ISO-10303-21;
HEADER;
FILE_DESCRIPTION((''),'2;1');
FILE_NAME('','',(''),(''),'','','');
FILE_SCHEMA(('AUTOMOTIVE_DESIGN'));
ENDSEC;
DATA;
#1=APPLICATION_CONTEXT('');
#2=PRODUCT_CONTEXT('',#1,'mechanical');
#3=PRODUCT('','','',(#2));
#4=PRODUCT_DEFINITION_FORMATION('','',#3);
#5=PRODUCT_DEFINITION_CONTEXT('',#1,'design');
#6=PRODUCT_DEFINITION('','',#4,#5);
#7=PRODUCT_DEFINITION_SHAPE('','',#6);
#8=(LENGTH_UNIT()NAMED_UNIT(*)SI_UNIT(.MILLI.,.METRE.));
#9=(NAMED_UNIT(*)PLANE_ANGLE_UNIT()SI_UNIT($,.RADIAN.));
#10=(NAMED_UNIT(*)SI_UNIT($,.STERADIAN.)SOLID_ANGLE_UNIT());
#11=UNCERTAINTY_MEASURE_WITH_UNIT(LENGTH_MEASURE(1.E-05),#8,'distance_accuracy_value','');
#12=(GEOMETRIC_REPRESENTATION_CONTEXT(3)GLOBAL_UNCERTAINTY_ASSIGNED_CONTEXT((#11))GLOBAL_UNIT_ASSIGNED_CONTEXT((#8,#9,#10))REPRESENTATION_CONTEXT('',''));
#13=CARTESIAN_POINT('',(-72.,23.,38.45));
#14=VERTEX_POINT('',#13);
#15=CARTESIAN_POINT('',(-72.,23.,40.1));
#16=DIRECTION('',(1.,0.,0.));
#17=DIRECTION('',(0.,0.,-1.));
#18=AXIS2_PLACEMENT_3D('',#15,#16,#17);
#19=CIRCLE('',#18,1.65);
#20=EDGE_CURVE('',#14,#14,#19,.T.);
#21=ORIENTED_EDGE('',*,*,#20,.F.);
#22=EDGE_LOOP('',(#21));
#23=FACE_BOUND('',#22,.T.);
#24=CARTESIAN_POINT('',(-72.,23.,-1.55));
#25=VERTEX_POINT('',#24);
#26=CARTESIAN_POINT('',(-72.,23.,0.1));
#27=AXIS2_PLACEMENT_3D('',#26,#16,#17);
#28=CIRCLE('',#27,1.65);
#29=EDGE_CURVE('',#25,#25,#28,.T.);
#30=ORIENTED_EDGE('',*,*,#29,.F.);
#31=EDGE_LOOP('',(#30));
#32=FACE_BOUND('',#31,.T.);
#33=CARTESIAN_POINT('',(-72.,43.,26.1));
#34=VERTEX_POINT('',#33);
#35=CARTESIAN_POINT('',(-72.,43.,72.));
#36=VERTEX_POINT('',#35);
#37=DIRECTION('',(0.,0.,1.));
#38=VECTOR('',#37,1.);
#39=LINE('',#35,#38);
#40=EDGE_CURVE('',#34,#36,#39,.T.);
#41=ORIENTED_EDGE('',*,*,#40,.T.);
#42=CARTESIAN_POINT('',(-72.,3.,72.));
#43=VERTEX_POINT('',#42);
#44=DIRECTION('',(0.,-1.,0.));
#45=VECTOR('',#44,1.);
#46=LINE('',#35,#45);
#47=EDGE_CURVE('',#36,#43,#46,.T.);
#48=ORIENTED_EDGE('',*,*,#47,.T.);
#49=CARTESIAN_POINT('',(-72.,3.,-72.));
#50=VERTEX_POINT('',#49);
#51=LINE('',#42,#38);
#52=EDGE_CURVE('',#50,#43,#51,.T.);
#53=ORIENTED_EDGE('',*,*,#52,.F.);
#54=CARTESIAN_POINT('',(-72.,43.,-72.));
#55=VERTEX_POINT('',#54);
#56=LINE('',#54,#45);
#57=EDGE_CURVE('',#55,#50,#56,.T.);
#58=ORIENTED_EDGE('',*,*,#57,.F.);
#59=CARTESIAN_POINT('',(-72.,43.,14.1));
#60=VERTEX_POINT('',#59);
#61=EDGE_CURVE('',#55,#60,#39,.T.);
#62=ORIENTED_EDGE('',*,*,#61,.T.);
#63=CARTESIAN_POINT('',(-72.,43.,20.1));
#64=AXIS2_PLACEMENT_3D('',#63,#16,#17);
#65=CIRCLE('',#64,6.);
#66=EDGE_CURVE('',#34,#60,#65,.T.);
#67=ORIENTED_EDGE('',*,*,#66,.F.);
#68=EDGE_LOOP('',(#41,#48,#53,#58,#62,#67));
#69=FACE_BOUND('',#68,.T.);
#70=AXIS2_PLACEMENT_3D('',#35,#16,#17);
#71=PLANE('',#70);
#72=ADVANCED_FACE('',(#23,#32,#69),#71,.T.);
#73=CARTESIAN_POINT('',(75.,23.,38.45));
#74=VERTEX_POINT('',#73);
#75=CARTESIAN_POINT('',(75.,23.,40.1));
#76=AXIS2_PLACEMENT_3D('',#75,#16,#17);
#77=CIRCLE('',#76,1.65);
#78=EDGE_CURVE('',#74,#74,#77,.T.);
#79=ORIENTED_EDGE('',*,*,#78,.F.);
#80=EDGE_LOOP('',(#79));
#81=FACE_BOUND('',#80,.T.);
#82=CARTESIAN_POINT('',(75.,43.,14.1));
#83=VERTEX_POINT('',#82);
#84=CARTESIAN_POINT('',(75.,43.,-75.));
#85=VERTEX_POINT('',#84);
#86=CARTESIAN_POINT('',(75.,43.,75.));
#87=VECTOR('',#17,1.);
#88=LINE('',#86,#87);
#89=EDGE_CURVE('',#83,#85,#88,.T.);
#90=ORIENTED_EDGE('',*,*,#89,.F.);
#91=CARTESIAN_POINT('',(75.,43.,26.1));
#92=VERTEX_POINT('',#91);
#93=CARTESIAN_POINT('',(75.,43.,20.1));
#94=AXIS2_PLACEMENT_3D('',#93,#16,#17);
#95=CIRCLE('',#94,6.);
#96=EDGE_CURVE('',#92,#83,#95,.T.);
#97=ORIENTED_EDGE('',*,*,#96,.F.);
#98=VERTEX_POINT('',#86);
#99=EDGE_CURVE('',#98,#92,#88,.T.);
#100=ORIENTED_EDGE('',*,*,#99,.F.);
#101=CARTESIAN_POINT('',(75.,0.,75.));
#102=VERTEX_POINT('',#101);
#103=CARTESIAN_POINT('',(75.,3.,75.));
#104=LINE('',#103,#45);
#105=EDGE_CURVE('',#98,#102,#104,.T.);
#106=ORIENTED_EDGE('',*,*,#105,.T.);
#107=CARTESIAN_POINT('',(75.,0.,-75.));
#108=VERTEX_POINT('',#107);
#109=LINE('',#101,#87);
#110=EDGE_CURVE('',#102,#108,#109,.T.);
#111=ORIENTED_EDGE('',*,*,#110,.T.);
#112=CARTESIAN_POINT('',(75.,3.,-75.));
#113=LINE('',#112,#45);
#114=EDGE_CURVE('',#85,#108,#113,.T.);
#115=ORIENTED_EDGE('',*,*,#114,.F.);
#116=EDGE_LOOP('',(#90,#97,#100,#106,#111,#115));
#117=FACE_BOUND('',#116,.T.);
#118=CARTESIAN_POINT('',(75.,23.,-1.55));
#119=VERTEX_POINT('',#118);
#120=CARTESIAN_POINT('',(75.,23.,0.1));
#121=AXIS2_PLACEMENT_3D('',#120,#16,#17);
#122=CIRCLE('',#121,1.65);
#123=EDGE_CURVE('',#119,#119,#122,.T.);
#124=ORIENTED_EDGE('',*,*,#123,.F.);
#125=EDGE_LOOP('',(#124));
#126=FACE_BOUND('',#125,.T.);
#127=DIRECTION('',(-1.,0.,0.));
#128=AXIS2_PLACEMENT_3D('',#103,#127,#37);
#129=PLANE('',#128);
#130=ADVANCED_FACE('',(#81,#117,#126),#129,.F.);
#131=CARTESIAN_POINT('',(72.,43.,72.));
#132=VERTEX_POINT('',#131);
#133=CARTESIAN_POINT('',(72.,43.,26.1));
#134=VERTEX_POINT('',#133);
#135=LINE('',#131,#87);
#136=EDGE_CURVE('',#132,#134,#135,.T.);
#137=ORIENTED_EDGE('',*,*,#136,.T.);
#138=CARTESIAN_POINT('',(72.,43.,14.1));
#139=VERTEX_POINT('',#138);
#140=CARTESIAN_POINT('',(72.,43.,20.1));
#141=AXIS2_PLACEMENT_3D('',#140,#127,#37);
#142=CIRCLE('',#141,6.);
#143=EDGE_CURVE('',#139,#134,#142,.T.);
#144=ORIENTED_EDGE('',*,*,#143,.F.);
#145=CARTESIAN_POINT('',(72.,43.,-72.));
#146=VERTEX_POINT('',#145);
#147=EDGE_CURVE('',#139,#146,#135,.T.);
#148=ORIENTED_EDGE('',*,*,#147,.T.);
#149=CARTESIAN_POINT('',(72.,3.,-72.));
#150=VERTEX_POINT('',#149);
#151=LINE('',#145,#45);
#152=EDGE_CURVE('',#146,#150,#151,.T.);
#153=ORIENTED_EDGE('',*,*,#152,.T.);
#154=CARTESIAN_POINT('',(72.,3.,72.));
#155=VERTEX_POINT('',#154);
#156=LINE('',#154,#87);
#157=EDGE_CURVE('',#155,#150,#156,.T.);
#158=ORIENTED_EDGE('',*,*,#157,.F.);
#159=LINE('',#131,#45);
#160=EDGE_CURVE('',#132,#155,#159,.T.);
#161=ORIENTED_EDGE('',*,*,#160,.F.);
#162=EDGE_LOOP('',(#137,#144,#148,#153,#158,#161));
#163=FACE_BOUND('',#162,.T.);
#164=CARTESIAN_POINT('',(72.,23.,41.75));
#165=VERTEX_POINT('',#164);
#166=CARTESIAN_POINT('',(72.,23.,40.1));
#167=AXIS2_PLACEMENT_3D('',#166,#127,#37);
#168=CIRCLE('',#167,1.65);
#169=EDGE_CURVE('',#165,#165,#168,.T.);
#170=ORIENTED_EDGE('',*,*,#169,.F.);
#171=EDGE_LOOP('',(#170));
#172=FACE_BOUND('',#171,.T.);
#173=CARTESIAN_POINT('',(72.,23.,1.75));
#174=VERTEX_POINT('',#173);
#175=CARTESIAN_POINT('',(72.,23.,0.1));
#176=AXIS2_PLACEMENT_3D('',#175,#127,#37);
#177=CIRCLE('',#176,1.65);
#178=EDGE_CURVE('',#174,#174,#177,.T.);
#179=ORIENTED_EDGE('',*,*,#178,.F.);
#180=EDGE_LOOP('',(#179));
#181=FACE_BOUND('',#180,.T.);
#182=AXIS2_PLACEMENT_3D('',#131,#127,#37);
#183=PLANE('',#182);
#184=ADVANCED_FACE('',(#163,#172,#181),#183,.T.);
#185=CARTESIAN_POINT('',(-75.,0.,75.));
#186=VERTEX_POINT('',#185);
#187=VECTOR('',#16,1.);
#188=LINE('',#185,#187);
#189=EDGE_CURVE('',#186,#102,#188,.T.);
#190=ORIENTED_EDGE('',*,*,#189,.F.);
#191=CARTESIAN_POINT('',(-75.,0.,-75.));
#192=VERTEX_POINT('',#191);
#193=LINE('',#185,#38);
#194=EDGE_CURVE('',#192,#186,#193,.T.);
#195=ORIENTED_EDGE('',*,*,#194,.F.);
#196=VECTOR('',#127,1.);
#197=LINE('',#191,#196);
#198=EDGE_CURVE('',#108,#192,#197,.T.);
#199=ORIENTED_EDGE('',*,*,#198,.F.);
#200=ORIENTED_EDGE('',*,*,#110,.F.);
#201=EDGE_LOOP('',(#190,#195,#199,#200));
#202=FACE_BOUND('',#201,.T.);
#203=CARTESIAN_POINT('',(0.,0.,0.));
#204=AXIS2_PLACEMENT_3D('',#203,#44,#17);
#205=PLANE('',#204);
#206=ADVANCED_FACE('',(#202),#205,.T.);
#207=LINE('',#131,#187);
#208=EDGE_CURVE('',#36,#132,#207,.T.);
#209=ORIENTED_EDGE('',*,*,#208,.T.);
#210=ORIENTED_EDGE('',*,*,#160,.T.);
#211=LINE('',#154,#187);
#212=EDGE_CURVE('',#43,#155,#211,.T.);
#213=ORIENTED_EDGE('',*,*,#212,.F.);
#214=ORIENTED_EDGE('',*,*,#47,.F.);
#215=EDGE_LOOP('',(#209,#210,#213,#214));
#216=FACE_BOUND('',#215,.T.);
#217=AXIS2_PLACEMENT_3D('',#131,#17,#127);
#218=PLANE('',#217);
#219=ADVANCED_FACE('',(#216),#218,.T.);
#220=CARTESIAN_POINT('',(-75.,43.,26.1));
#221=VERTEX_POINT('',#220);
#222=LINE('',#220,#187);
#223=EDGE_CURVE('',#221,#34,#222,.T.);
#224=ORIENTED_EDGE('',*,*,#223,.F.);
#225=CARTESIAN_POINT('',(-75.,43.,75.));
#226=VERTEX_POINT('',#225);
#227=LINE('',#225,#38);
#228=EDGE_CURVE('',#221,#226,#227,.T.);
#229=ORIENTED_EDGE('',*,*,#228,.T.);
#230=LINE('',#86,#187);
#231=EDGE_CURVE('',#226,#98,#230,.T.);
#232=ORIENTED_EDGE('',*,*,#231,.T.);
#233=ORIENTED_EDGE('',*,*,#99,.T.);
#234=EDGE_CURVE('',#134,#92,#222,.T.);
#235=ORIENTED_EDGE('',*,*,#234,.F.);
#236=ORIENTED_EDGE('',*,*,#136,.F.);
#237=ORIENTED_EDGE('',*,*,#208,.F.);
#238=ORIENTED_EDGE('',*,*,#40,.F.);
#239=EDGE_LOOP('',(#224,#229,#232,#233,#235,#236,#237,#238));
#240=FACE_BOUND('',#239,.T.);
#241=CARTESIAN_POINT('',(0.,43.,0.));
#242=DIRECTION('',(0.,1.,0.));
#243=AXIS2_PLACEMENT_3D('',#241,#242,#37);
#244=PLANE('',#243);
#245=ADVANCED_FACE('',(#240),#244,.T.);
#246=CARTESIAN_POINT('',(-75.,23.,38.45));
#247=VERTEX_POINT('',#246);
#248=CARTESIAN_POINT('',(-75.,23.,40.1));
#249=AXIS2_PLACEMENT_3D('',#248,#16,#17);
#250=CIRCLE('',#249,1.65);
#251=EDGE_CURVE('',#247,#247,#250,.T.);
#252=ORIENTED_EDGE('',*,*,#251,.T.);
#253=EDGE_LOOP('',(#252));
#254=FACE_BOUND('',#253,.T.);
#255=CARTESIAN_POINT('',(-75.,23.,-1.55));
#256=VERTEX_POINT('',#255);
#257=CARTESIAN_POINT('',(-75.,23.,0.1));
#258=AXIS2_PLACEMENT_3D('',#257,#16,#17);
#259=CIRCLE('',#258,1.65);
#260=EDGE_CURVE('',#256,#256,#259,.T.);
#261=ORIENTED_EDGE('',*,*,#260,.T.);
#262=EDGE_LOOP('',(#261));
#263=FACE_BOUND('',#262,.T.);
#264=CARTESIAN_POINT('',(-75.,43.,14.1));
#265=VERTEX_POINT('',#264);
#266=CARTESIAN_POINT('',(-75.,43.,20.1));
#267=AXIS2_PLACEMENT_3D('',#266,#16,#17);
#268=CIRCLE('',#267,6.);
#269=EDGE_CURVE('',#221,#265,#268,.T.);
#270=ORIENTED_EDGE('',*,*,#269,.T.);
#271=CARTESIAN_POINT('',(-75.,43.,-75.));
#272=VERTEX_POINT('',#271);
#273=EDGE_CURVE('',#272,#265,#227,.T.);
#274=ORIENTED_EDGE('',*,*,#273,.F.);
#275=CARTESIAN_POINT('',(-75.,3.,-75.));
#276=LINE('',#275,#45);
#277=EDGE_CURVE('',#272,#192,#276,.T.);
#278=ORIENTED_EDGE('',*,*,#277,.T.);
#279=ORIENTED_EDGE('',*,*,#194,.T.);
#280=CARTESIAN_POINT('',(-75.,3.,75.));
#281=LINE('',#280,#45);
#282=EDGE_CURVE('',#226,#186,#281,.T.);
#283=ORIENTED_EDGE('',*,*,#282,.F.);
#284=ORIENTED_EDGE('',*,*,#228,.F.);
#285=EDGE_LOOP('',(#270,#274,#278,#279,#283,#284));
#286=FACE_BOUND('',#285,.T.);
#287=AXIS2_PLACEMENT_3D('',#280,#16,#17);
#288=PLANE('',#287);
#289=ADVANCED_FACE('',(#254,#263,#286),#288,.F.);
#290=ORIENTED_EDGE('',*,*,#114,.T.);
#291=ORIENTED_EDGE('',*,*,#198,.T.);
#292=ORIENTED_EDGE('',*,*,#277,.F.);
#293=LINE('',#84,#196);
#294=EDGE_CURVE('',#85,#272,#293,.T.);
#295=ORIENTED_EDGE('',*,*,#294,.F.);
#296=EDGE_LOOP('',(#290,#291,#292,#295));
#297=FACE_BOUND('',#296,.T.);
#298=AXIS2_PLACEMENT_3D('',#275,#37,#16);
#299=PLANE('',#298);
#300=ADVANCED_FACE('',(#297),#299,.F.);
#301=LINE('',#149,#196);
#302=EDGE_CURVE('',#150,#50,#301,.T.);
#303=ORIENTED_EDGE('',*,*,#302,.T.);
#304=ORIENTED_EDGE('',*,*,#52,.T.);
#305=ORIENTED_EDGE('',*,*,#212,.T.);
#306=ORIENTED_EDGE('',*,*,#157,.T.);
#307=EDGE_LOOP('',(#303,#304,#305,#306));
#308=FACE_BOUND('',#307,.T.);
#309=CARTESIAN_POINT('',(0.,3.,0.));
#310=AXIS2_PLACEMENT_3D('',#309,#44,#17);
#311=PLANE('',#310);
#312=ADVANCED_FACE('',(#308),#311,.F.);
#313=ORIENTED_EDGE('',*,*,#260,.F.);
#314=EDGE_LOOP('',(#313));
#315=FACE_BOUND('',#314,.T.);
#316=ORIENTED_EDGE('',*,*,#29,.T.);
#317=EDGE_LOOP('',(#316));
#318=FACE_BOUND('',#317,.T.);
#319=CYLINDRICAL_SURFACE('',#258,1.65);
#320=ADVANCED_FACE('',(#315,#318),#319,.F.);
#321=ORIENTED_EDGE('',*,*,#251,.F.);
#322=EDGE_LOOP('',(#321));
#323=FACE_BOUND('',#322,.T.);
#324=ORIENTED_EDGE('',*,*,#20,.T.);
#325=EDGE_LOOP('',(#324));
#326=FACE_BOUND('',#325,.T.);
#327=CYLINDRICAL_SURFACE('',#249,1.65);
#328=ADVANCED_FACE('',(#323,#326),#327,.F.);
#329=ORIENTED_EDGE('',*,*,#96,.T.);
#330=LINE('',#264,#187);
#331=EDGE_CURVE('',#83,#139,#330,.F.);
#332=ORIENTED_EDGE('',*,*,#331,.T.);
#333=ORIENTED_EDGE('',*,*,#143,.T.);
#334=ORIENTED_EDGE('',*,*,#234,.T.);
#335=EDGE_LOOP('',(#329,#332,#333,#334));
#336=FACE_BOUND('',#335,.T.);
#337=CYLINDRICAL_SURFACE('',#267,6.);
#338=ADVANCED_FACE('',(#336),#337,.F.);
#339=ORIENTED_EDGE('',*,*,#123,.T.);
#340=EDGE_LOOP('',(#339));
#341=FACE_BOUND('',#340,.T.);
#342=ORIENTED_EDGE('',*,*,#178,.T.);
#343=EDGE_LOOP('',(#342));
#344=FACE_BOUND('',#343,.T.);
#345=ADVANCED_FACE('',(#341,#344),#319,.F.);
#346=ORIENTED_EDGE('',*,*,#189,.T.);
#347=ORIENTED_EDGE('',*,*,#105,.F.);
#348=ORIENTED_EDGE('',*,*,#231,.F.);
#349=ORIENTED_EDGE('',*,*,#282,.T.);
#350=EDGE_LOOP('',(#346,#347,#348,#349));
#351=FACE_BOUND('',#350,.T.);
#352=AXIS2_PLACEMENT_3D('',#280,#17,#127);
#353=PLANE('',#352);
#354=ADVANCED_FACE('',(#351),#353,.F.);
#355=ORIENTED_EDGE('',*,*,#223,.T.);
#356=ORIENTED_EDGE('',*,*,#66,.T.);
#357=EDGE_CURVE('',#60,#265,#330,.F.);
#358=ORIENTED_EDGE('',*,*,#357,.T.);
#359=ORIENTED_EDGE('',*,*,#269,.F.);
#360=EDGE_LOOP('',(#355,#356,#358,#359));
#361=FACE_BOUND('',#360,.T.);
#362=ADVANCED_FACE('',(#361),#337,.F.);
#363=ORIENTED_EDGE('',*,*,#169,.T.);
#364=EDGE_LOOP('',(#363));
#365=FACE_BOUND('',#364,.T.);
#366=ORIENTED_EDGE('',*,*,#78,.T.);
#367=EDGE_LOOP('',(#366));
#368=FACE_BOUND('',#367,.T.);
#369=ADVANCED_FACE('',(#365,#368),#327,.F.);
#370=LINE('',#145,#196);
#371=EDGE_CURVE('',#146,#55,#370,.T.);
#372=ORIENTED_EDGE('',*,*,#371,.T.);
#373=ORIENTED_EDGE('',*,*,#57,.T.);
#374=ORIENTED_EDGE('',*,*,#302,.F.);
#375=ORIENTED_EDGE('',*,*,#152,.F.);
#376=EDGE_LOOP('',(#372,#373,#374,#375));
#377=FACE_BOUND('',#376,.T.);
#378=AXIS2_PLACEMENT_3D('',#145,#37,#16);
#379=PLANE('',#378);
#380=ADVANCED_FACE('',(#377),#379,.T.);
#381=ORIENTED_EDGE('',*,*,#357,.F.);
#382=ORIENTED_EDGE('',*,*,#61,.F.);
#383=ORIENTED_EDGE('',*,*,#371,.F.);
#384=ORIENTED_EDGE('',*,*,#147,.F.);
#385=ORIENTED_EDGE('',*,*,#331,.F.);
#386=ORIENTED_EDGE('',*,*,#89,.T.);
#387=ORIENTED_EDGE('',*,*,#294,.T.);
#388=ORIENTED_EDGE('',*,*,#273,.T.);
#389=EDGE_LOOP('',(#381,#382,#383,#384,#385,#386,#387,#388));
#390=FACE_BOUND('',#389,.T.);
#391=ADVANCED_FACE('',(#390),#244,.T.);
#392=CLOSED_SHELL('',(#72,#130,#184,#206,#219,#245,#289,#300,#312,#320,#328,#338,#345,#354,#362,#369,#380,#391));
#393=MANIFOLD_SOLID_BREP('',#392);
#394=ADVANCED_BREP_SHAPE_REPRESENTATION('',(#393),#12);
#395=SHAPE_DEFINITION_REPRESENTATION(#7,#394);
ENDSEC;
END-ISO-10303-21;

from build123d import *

# Parameters (mm, degrees)
SKETCH_1_W          = 150
SKETCH_1_H          = 150
EXTRUDE_1_DEPTH     = 3
SKETCH_2_W          = 150
SKETCH_2_H          = 150
SKETCH_2_W_2        = 144
SKETCH_2_H_2        = 144
EXTRUDE_2_DEPTH     = 40
SKETCH_3_R          = 6
SKETCH_3_R_2        = 1.65
CUT_EXTRUDE_1_DEPTH = 174.130008953


with BuildPart() as part:
    # 草图1 → 凸台-拉伸1 (new body)
    with BuildSketch(Plane(origin=(0, 0, 0), x_dir=(1, 0, 0), z_dir=(0, 1, 0))):
        Rectangle(SKETCH_1_W, SKETCH_1_H)
    extrude(amount=EXTRUDE_1_DEPTH)

    # 草图2 → 凸台-拉伸2 (add)
    with BuildSketch(Plane(origin=(0, 3, 0), x_dir=(1, 0, 0), z_dir=(0, 1, 0))):
        Rectangle(SKETCH_2_W, SKETCH_2_H)
        Rectangle(SKETCH_2_W_2, SKETCH_2_H_2, mode=Mode.SUBTRACT)
    extrude(amount=EXTRUDE_2_DEPTH)

    # 草图3 → 切除-拉伸1 (cut, through all)
    with BuildSketch(Plane(origin=(75, 0, 0), x_dir=(0, 0, -1), z_dir=(1, 0, 0))):
        with Locations((-20.1, 43)):
            Circle(SKETCH_3_R)
        with Locations((-0.1, 23)):
            Circle(SKETCH_3_R_2)
        with Locations((-40.1, 23)):
            Circle(SKETCH_3_R_2)
    extrude(amount=-CUT_EXTRUDE_1_DEPTH, mode=Mode.SUBTRACT)


solid = part.part
